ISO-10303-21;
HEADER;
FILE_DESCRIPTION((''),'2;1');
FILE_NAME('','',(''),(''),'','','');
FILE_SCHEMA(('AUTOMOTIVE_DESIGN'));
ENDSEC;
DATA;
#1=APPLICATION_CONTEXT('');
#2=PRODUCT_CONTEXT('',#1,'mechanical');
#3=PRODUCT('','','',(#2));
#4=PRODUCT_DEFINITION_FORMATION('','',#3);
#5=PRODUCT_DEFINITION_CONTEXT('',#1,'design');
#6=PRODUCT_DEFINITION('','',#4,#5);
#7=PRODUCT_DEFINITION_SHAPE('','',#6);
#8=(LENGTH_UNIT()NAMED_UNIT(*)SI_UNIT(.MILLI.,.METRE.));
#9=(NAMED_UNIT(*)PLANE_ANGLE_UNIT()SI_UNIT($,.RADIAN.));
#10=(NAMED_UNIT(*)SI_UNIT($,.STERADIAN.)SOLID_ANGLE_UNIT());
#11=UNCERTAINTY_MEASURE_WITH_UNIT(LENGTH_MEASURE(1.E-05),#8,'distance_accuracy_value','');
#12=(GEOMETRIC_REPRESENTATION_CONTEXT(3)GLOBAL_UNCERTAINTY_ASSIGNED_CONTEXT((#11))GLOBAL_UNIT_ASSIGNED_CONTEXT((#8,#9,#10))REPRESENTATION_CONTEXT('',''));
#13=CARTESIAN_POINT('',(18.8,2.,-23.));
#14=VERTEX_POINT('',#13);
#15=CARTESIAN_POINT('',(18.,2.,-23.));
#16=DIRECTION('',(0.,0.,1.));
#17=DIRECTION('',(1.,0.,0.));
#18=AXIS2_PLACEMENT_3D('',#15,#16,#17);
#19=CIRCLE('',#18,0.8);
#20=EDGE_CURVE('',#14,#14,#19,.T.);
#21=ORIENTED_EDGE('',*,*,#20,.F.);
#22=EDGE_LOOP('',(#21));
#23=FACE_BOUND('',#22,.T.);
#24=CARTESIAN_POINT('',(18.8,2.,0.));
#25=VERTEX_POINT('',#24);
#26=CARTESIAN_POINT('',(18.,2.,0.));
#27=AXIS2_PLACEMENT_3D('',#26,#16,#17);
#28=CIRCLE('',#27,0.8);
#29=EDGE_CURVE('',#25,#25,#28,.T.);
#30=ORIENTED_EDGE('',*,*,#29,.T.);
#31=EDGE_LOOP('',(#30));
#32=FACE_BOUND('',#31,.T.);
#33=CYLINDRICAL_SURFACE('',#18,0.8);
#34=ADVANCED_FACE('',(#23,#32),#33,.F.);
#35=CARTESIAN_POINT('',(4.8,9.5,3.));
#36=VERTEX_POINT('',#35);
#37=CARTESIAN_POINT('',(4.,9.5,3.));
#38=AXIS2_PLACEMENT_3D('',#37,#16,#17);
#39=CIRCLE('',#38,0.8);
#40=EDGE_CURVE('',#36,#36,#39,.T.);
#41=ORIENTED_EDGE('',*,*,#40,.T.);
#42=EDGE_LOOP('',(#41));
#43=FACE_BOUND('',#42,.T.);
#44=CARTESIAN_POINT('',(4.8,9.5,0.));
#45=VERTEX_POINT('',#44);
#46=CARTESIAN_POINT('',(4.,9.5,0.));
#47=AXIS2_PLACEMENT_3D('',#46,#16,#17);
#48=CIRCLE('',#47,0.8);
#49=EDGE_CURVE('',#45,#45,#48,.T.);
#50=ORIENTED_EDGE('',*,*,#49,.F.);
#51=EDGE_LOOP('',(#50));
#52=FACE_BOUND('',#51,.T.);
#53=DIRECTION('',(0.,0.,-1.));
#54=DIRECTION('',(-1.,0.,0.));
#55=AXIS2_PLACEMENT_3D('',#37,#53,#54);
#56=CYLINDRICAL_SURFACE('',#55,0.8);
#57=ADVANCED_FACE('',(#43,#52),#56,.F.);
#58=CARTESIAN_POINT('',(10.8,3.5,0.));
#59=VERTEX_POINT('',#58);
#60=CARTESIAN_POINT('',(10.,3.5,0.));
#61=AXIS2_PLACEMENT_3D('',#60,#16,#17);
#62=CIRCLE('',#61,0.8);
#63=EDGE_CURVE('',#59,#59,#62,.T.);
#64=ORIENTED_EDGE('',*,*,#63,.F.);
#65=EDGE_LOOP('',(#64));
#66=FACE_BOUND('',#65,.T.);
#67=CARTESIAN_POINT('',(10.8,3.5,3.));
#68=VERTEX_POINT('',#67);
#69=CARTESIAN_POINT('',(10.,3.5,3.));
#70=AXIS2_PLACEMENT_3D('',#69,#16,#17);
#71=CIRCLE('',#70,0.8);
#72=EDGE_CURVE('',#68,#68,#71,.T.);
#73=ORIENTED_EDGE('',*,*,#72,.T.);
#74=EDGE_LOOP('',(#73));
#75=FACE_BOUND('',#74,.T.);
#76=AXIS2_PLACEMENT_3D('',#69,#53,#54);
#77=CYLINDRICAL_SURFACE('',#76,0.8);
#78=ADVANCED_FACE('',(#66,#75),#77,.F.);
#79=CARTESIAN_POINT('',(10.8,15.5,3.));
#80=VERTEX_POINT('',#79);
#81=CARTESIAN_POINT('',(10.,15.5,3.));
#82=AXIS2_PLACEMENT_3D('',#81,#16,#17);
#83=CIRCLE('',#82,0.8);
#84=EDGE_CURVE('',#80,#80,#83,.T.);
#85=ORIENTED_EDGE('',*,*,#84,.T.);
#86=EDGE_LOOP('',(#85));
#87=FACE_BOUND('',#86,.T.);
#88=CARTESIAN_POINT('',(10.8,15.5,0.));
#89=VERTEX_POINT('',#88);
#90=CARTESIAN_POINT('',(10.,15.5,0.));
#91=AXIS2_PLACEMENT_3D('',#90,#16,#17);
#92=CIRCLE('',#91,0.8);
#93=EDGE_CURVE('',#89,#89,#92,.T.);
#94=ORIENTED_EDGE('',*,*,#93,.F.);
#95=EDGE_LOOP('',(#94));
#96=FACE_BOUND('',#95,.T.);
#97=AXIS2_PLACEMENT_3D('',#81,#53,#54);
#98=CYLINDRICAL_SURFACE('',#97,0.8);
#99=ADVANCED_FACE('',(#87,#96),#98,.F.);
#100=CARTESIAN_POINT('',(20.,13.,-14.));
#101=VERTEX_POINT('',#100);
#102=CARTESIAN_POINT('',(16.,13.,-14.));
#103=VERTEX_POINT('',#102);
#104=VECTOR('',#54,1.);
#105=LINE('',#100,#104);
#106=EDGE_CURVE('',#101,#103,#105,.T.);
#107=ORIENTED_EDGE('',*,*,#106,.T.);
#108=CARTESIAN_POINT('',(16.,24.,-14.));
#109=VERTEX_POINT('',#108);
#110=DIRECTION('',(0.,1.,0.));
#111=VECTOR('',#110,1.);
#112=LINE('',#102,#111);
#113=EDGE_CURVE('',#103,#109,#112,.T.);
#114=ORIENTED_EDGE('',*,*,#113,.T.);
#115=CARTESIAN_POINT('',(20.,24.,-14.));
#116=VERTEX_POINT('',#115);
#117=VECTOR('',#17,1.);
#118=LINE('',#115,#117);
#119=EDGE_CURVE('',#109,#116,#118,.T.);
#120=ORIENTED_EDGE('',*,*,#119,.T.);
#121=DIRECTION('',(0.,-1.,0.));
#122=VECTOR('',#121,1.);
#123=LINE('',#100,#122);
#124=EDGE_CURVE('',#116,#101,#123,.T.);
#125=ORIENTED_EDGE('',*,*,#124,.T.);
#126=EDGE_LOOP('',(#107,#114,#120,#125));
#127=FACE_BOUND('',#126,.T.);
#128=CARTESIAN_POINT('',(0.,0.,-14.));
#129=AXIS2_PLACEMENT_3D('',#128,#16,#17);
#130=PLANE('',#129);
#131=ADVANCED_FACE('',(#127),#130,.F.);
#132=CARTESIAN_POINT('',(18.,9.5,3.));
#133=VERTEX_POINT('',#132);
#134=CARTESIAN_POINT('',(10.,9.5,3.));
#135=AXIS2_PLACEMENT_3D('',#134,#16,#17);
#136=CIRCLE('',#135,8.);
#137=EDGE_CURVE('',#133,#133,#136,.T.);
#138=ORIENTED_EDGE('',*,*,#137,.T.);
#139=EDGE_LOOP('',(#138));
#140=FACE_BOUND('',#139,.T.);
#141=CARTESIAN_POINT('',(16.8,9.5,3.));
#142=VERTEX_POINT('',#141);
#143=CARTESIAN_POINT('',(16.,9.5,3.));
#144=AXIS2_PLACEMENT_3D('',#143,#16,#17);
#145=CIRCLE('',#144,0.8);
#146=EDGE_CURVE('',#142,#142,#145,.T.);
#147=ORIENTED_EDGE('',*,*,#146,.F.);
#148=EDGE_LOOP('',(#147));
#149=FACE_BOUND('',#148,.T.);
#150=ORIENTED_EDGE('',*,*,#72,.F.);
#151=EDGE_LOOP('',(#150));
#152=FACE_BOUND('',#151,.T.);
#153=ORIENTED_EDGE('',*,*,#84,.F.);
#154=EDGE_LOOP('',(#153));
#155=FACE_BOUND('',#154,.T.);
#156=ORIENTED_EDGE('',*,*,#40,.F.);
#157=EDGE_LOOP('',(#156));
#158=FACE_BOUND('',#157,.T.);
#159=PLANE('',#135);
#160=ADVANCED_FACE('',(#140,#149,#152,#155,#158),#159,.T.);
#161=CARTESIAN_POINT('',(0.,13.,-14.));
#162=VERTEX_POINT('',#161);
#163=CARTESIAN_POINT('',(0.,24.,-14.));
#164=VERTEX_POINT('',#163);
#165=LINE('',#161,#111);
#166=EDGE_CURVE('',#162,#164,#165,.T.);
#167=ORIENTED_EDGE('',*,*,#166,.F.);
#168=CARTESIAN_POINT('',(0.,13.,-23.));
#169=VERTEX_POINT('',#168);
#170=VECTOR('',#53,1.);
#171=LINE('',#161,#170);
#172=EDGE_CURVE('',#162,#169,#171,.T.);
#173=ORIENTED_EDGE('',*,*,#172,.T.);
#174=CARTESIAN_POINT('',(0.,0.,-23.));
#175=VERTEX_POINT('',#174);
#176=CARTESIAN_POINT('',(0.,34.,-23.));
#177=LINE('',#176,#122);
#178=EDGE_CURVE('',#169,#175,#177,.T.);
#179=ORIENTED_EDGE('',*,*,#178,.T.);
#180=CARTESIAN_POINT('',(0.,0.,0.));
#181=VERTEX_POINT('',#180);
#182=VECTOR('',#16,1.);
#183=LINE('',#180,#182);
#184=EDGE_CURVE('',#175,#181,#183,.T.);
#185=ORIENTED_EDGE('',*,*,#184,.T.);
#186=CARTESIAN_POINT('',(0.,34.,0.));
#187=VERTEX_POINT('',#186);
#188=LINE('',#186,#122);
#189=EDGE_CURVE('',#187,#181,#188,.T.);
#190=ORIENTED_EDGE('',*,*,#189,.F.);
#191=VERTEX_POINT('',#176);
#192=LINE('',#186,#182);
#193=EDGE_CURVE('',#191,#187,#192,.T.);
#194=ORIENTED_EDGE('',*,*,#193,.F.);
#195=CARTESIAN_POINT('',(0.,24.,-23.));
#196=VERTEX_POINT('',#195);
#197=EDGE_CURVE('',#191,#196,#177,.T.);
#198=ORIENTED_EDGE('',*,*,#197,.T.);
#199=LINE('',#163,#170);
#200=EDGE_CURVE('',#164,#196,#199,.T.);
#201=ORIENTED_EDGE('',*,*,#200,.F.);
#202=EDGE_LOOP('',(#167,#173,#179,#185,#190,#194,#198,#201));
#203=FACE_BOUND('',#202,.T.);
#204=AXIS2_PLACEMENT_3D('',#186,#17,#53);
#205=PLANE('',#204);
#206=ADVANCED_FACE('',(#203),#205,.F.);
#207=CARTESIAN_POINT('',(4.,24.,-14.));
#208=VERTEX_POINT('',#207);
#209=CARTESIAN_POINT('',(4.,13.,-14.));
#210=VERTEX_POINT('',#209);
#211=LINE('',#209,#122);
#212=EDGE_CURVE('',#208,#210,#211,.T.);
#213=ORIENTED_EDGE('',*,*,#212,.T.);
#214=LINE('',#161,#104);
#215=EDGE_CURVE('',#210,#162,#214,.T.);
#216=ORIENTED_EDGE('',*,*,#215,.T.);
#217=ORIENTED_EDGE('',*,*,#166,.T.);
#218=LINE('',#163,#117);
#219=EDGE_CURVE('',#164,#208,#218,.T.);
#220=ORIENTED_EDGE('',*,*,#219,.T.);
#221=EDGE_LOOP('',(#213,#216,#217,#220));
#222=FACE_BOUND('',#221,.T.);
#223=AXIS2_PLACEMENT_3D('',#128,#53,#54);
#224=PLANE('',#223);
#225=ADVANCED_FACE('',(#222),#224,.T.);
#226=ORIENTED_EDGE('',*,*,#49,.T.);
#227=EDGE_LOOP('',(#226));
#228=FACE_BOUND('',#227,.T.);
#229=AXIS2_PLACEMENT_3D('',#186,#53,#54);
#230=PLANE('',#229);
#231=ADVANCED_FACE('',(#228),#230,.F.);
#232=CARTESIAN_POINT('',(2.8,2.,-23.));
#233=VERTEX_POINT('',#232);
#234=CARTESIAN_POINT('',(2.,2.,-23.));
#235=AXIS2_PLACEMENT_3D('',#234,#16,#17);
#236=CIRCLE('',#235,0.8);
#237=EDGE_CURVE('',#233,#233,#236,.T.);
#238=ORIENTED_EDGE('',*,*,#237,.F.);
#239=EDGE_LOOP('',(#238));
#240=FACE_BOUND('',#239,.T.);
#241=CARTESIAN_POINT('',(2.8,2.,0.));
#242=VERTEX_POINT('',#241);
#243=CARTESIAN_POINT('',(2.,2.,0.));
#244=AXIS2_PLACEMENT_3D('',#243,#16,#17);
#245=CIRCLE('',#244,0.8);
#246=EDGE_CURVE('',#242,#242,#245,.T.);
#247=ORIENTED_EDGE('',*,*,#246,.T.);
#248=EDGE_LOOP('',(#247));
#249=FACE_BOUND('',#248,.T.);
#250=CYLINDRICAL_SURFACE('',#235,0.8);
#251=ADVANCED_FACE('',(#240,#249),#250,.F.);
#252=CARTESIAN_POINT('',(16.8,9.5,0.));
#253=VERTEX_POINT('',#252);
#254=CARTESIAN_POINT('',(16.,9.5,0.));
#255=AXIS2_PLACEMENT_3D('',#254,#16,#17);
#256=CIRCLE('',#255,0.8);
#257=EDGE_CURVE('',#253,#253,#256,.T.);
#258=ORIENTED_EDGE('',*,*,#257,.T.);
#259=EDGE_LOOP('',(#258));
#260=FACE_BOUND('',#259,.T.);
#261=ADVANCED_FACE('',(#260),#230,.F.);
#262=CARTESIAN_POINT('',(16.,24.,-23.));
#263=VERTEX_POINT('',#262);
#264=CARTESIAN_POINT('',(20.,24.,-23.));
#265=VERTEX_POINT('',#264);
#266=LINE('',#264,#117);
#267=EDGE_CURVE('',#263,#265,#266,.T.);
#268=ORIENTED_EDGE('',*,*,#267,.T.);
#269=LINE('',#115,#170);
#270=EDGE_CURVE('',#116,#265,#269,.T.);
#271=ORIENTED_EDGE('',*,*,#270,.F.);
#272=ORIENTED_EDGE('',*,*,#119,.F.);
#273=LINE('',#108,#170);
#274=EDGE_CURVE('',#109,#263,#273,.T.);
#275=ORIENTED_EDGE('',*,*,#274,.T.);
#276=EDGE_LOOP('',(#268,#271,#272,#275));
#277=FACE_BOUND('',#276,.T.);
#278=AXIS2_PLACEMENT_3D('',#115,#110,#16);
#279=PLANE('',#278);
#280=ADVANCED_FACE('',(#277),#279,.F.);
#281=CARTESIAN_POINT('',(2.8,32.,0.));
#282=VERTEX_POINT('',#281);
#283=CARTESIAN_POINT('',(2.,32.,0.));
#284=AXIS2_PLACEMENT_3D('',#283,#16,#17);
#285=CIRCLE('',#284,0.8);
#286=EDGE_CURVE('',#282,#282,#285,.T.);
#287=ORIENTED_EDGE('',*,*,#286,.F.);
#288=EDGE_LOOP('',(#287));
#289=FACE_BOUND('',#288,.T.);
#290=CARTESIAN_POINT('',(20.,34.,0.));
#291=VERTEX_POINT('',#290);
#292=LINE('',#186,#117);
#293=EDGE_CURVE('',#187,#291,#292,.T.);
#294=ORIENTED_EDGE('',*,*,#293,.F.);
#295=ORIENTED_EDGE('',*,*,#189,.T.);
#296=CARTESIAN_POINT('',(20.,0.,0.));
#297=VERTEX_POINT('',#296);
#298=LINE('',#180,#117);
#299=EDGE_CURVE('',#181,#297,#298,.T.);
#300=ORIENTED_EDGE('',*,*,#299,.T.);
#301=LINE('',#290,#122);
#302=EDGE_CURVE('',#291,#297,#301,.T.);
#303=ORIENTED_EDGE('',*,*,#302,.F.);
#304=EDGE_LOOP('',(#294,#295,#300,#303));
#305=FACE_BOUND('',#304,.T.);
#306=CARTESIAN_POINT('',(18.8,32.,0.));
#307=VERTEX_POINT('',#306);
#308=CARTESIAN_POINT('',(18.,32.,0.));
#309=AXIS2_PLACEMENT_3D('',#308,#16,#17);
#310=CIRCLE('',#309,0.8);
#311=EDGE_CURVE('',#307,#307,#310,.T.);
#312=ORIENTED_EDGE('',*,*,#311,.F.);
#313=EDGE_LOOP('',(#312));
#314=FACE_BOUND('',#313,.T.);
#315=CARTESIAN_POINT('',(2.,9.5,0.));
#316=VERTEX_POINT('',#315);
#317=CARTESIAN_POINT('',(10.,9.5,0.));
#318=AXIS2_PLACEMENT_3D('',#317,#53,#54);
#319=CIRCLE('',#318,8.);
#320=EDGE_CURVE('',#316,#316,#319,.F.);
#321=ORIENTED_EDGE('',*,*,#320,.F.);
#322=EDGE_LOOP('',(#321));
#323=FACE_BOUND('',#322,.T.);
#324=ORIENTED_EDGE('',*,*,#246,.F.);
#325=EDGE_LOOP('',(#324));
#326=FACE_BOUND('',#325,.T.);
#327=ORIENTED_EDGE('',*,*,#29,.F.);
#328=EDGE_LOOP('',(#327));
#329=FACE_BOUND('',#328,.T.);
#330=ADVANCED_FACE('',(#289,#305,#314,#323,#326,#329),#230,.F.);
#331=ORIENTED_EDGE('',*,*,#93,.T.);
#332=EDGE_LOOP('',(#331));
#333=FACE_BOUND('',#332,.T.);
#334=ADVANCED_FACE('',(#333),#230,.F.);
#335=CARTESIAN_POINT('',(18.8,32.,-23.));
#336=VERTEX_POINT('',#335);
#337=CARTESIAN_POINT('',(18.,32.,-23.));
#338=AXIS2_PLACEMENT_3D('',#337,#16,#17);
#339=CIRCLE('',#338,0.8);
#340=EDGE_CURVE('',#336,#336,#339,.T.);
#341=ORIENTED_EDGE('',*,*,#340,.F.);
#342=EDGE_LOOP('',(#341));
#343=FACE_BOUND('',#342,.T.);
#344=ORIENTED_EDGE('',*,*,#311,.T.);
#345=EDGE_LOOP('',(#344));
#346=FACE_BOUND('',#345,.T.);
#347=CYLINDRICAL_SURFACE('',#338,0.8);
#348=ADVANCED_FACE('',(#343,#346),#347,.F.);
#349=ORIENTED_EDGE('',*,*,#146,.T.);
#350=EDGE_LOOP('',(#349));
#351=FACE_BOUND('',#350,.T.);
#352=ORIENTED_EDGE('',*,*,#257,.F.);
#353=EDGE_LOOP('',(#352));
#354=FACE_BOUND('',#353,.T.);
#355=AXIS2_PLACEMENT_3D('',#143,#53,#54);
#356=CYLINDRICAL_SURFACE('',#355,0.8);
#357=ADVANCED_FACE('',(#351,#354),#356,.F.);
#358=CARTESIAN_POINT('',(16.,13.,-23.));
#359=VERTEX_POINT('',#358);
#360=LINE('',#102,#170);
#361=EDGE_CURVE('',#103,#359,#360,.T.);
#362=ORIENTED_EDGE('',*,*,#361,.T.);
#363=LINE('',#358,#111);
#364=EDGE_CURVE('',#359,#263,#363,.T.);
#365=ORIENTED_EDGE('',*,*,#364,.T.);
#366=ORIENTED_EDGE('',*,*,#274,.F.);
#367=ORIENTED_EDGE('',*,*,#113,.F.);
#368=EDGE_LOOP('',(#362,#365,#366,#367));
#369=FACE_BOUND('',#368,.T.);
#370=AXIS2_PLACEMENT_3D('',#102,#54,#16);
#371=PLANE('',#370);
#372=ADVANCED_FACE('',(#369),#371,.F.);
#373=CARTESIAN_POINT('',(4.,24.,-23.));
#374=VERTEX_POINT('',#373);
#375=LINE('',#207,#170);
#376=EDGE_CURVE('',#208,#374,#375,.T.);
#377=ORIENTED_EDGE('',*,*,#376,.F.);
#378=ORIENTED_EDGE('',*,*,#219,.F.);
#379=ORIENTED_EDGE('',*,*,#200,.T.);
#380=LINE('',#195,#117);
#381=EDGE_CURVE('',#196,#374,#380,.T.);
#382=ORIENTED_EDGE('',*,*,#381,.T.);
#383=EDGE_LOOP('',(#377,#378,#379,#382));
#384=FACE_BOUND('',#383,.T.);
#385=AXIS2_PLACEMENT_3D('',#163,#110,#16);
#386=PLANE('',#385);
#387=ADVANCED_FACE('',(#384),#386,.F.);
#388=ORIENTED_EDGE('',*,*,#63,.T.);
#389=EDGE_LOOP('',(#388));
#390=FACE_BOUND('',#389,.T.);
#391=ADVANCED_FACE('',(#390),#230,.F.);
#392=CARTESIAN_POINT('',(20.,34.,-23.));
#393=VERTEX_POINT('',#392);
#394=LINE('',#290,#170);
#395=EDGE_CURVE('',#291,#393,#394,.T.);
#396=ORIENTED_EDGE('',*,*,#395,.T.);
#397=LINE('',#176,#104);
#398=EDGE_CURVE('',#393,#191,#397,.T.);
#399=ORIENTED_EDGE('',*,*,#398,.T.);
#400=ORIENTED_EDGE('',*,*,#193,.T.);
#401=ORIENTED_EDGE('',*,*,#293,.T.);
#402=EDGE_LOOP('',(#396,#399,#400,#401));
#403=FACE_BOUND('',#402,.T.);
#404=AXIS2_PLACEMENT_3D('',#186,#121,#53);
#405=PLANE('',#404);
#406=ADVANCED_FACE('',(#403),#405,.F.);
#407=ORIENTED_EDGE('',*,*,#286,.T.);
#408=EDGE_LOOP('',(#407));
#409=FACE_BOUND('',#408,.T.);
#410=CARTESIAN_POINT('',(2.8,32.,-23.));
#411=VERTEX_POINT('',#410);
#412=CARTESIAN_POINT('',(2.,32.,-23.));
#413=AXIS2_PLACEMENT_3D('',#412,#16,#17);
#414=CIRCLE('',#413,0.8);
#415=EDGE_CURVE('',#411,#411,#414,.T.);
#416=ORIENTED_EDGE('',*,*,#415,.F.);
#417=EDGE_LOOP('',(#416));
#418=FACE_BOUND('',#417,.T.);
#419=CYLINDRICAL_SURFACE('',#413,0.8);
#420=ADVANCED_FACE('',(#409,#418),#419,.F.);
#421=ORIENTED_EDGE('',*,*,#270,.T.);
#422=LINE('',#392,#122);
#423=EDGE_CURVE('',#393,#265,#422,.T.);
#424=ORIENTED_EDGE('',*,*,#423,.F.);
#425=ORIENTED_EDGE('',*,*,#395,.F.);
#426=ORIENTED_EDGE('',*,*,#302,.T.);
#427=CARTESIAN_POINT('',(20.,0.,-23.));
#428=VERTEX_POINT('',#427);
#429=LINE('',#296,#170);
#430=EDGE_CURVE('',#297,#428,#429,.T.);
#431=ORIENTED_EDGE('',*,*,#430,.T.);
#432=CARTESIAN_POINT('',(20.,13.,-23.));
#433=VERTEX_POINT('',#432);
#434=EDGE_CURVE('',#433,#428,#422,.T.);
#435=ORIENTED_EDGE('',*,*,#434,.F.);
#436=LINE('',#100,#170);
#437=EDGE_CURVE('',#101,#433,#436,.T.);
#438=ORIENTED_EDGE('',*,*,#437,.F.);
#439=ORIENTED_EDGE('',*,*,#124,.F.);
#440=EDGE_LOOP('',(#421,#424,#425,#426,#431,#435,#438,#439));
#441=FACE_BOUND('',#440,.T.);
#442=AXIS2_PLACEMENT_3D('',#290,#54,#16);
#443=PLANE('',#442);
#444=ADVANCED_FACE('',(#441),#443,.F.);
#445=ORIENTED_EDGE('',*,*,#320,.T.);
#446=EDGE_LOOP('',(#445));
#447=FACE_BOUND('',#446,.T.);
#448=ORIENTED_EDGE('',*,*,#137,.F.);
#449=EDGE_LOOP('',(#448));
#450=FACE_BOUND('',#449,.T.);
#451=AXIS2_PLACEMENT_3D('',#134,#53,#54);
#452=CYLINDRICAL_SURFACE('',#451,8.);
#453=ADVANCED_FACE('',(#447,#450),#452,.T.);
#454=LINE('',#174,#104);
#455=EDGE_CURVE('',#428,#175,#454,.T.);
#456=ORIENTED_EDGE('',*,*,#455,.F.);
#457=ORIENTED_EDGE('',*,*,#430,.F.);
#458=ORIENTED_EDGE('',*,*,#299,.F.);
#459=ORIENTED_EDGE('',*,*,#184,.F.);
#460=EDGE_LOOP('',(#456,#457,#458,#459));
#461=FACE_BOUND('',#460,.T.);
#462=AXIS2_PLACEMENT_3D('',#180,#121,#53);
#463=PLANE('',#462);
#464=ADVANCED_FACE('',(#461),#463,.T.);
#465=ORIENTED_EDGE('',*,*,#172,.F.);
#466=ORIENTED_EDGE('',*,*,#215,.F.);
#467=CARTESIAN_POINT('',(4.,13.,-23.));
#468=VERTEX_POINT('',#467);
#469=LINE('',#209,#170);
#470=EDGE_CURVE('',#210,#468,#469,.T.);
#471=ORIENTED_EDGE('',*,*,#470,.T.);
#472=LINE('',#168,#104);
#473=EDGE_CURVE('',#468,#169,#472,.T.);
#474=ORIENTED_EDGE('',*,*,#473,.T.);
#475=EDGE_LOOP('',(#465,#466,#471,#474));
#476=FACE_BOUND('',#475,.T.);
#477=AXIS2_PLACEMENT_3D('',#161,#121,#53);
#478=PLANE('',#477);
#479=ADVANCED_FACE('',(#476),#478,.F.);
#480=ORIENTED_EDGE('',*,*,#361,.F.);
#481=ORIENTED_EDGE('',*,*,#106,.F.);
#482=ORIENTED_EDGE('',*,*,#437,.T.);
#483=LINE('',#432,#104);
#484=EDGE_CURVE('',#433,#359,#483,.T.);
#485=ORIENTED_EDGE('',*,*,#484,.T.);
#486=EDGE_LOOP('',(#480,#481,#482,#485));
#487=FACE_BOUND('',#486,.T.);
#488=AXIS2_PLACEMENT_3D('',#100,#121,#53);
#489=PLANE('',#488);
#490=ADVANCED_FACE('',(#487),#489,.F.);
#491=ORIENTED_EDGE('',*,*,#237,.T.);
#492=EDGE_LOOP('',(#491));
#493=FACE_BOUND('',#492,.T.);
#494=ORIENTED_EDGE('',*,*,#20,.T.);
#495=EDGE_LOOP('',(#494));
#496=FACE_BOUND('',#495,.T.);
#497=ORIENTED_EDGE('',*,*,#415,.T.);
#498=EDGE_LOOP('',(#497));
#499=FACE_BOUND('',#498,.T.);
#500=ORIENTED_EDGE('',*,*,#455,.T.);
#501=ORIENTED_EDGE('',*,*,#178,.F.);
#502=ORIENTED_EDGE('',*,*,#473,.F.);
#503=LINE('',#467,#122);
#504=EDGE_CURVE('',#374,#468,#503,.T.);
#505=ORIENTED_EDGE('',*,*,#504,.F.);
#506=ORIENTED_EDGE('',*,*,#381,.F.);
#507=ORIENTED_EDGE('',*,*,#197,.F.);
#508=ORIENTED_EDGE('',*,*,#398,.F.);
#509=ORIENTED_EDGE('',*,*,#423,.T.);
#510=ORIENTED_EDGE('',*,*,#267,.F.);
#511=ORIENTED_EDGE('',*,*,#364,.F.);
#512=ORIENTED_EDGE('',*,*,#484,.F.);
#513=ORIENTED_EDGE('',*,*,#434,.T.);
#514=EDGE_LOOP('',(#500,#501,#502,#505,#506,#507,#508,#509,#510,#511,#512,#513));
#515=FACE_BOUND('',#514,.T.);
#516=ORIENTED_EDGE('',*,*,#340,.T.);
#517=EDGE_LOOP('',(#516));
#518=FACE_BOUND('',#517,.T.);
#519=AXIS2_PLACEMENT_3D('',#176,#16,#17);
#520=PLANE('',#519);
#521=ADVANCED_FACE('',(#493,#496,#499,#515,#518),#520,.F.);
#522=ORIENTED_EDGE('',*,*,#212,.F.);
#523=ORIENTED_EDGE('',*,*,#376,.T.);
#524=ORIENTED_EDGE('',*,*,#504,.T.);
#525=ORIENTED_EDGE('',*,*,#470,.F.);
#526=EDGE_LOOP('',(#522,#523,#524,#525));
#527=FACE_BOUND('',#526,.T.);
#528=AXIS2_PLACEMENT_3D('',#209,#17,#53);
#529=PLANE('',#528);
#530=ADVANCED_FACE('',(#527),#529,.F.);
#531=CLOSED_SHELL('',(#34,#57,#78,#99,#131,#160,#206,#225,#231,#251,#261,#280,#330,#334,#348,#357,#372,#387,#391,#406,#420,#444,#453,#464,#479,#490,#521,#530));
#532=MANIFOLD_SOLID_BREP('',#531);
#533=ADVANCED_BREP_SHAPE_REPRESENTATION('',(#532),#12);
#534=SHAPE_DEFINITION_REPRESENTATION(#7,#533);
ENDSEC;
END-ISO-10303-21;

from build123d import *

# Parameters (mm, degrees)
SKETCH1_W           = 20
SKETCH1_H           = 23
BOSS_EXTRUDE1_DEPTH = 34
SKETCH2_R           = 0.8
CUT_EXTRUDE1_DEPTH  = 24
SKETCH3_R           = 8
SKETCH3_R_2         = 0.8
BOSS_EXTRUDE2_DEPTH = 3
SKETCH4_W           = 4
SKETCH4_H           = 11
CUT_EXTRUDE2_DEPTH  = 9


with BuildPart() as part:
    # Sketch1 → Boss-Extrude1 (new body)
    with BuildSketch(Plane(origin=(0, 0, 0), x_dir=(1, 0, 0), z_dir=(0, 1, 0))):
        with Locations((10, 11.5)):
            Rectangle(SKETCH1_W, SKETCH1_H)
    extrude(amount=BOSS_EXTRUDE1_DEPTH)

    # Sketch2 → Cut-Extrude1 (cut, through all)
    with BuildSketch(Plane.XY):
        with Locations((2, 32)):
            Circle(SKETCH2_R)
        with Locations((18, 32)):
            Circle(SKETCH2_R)
        with Locations((18, 2)):
            Circle(SKETCH2_R)
        with Locations((2, 2)):
            Circle(SKETCH2_R)
    extrude(amount=-CUT_EXTRUDE1_DEPTH, mode=Mode.SUBTRACT)

    # Sketch3 → Boss-Extrude2 (add)
    with BuildSketch(Plane.XY):
        with Locations((10, 9.5)):
            Circle(SKETCH3_R)
        with Locations((10, 15.5)):
            Circle(SKETCH3_R_2, mode=Mode.SUBTRACT)
        with Locations((4, 9.5)):
            Circle(SKETCH3_R_2, mode=Mode.SUBTRACT)
        with Locations((10, 3.5)):
            Circle(SKETCH3_R_2, mode=Mode.SUBTRACT)
        with Locations((16, 9.5)):
            Circle(SKETCH3_R_2, mode=Mode.SUBTRACT)
    extrude(amount=BOSS_EXTRUDE2_DEPTH)

    # Sketch4 → Cut-Extrude2 (cut)
    with BuildSketch(Plane(origin=(0, 0, -23), x_dir=(-1, 0, 0), z_dir=(0, 0, -1))):
        with Locations((-18, 18.5)):
            Rectangle(SKETCH4_W, SKETCH4_H)
        with Locations((-2, 18.5)):
            Rectangle(SKETCH4_W, SKETCH4_H)
    extrude(amount=-CUT_EXTRUDE2_DEPTH, mode=Mode.SUBTRACT)


solid = part.part
